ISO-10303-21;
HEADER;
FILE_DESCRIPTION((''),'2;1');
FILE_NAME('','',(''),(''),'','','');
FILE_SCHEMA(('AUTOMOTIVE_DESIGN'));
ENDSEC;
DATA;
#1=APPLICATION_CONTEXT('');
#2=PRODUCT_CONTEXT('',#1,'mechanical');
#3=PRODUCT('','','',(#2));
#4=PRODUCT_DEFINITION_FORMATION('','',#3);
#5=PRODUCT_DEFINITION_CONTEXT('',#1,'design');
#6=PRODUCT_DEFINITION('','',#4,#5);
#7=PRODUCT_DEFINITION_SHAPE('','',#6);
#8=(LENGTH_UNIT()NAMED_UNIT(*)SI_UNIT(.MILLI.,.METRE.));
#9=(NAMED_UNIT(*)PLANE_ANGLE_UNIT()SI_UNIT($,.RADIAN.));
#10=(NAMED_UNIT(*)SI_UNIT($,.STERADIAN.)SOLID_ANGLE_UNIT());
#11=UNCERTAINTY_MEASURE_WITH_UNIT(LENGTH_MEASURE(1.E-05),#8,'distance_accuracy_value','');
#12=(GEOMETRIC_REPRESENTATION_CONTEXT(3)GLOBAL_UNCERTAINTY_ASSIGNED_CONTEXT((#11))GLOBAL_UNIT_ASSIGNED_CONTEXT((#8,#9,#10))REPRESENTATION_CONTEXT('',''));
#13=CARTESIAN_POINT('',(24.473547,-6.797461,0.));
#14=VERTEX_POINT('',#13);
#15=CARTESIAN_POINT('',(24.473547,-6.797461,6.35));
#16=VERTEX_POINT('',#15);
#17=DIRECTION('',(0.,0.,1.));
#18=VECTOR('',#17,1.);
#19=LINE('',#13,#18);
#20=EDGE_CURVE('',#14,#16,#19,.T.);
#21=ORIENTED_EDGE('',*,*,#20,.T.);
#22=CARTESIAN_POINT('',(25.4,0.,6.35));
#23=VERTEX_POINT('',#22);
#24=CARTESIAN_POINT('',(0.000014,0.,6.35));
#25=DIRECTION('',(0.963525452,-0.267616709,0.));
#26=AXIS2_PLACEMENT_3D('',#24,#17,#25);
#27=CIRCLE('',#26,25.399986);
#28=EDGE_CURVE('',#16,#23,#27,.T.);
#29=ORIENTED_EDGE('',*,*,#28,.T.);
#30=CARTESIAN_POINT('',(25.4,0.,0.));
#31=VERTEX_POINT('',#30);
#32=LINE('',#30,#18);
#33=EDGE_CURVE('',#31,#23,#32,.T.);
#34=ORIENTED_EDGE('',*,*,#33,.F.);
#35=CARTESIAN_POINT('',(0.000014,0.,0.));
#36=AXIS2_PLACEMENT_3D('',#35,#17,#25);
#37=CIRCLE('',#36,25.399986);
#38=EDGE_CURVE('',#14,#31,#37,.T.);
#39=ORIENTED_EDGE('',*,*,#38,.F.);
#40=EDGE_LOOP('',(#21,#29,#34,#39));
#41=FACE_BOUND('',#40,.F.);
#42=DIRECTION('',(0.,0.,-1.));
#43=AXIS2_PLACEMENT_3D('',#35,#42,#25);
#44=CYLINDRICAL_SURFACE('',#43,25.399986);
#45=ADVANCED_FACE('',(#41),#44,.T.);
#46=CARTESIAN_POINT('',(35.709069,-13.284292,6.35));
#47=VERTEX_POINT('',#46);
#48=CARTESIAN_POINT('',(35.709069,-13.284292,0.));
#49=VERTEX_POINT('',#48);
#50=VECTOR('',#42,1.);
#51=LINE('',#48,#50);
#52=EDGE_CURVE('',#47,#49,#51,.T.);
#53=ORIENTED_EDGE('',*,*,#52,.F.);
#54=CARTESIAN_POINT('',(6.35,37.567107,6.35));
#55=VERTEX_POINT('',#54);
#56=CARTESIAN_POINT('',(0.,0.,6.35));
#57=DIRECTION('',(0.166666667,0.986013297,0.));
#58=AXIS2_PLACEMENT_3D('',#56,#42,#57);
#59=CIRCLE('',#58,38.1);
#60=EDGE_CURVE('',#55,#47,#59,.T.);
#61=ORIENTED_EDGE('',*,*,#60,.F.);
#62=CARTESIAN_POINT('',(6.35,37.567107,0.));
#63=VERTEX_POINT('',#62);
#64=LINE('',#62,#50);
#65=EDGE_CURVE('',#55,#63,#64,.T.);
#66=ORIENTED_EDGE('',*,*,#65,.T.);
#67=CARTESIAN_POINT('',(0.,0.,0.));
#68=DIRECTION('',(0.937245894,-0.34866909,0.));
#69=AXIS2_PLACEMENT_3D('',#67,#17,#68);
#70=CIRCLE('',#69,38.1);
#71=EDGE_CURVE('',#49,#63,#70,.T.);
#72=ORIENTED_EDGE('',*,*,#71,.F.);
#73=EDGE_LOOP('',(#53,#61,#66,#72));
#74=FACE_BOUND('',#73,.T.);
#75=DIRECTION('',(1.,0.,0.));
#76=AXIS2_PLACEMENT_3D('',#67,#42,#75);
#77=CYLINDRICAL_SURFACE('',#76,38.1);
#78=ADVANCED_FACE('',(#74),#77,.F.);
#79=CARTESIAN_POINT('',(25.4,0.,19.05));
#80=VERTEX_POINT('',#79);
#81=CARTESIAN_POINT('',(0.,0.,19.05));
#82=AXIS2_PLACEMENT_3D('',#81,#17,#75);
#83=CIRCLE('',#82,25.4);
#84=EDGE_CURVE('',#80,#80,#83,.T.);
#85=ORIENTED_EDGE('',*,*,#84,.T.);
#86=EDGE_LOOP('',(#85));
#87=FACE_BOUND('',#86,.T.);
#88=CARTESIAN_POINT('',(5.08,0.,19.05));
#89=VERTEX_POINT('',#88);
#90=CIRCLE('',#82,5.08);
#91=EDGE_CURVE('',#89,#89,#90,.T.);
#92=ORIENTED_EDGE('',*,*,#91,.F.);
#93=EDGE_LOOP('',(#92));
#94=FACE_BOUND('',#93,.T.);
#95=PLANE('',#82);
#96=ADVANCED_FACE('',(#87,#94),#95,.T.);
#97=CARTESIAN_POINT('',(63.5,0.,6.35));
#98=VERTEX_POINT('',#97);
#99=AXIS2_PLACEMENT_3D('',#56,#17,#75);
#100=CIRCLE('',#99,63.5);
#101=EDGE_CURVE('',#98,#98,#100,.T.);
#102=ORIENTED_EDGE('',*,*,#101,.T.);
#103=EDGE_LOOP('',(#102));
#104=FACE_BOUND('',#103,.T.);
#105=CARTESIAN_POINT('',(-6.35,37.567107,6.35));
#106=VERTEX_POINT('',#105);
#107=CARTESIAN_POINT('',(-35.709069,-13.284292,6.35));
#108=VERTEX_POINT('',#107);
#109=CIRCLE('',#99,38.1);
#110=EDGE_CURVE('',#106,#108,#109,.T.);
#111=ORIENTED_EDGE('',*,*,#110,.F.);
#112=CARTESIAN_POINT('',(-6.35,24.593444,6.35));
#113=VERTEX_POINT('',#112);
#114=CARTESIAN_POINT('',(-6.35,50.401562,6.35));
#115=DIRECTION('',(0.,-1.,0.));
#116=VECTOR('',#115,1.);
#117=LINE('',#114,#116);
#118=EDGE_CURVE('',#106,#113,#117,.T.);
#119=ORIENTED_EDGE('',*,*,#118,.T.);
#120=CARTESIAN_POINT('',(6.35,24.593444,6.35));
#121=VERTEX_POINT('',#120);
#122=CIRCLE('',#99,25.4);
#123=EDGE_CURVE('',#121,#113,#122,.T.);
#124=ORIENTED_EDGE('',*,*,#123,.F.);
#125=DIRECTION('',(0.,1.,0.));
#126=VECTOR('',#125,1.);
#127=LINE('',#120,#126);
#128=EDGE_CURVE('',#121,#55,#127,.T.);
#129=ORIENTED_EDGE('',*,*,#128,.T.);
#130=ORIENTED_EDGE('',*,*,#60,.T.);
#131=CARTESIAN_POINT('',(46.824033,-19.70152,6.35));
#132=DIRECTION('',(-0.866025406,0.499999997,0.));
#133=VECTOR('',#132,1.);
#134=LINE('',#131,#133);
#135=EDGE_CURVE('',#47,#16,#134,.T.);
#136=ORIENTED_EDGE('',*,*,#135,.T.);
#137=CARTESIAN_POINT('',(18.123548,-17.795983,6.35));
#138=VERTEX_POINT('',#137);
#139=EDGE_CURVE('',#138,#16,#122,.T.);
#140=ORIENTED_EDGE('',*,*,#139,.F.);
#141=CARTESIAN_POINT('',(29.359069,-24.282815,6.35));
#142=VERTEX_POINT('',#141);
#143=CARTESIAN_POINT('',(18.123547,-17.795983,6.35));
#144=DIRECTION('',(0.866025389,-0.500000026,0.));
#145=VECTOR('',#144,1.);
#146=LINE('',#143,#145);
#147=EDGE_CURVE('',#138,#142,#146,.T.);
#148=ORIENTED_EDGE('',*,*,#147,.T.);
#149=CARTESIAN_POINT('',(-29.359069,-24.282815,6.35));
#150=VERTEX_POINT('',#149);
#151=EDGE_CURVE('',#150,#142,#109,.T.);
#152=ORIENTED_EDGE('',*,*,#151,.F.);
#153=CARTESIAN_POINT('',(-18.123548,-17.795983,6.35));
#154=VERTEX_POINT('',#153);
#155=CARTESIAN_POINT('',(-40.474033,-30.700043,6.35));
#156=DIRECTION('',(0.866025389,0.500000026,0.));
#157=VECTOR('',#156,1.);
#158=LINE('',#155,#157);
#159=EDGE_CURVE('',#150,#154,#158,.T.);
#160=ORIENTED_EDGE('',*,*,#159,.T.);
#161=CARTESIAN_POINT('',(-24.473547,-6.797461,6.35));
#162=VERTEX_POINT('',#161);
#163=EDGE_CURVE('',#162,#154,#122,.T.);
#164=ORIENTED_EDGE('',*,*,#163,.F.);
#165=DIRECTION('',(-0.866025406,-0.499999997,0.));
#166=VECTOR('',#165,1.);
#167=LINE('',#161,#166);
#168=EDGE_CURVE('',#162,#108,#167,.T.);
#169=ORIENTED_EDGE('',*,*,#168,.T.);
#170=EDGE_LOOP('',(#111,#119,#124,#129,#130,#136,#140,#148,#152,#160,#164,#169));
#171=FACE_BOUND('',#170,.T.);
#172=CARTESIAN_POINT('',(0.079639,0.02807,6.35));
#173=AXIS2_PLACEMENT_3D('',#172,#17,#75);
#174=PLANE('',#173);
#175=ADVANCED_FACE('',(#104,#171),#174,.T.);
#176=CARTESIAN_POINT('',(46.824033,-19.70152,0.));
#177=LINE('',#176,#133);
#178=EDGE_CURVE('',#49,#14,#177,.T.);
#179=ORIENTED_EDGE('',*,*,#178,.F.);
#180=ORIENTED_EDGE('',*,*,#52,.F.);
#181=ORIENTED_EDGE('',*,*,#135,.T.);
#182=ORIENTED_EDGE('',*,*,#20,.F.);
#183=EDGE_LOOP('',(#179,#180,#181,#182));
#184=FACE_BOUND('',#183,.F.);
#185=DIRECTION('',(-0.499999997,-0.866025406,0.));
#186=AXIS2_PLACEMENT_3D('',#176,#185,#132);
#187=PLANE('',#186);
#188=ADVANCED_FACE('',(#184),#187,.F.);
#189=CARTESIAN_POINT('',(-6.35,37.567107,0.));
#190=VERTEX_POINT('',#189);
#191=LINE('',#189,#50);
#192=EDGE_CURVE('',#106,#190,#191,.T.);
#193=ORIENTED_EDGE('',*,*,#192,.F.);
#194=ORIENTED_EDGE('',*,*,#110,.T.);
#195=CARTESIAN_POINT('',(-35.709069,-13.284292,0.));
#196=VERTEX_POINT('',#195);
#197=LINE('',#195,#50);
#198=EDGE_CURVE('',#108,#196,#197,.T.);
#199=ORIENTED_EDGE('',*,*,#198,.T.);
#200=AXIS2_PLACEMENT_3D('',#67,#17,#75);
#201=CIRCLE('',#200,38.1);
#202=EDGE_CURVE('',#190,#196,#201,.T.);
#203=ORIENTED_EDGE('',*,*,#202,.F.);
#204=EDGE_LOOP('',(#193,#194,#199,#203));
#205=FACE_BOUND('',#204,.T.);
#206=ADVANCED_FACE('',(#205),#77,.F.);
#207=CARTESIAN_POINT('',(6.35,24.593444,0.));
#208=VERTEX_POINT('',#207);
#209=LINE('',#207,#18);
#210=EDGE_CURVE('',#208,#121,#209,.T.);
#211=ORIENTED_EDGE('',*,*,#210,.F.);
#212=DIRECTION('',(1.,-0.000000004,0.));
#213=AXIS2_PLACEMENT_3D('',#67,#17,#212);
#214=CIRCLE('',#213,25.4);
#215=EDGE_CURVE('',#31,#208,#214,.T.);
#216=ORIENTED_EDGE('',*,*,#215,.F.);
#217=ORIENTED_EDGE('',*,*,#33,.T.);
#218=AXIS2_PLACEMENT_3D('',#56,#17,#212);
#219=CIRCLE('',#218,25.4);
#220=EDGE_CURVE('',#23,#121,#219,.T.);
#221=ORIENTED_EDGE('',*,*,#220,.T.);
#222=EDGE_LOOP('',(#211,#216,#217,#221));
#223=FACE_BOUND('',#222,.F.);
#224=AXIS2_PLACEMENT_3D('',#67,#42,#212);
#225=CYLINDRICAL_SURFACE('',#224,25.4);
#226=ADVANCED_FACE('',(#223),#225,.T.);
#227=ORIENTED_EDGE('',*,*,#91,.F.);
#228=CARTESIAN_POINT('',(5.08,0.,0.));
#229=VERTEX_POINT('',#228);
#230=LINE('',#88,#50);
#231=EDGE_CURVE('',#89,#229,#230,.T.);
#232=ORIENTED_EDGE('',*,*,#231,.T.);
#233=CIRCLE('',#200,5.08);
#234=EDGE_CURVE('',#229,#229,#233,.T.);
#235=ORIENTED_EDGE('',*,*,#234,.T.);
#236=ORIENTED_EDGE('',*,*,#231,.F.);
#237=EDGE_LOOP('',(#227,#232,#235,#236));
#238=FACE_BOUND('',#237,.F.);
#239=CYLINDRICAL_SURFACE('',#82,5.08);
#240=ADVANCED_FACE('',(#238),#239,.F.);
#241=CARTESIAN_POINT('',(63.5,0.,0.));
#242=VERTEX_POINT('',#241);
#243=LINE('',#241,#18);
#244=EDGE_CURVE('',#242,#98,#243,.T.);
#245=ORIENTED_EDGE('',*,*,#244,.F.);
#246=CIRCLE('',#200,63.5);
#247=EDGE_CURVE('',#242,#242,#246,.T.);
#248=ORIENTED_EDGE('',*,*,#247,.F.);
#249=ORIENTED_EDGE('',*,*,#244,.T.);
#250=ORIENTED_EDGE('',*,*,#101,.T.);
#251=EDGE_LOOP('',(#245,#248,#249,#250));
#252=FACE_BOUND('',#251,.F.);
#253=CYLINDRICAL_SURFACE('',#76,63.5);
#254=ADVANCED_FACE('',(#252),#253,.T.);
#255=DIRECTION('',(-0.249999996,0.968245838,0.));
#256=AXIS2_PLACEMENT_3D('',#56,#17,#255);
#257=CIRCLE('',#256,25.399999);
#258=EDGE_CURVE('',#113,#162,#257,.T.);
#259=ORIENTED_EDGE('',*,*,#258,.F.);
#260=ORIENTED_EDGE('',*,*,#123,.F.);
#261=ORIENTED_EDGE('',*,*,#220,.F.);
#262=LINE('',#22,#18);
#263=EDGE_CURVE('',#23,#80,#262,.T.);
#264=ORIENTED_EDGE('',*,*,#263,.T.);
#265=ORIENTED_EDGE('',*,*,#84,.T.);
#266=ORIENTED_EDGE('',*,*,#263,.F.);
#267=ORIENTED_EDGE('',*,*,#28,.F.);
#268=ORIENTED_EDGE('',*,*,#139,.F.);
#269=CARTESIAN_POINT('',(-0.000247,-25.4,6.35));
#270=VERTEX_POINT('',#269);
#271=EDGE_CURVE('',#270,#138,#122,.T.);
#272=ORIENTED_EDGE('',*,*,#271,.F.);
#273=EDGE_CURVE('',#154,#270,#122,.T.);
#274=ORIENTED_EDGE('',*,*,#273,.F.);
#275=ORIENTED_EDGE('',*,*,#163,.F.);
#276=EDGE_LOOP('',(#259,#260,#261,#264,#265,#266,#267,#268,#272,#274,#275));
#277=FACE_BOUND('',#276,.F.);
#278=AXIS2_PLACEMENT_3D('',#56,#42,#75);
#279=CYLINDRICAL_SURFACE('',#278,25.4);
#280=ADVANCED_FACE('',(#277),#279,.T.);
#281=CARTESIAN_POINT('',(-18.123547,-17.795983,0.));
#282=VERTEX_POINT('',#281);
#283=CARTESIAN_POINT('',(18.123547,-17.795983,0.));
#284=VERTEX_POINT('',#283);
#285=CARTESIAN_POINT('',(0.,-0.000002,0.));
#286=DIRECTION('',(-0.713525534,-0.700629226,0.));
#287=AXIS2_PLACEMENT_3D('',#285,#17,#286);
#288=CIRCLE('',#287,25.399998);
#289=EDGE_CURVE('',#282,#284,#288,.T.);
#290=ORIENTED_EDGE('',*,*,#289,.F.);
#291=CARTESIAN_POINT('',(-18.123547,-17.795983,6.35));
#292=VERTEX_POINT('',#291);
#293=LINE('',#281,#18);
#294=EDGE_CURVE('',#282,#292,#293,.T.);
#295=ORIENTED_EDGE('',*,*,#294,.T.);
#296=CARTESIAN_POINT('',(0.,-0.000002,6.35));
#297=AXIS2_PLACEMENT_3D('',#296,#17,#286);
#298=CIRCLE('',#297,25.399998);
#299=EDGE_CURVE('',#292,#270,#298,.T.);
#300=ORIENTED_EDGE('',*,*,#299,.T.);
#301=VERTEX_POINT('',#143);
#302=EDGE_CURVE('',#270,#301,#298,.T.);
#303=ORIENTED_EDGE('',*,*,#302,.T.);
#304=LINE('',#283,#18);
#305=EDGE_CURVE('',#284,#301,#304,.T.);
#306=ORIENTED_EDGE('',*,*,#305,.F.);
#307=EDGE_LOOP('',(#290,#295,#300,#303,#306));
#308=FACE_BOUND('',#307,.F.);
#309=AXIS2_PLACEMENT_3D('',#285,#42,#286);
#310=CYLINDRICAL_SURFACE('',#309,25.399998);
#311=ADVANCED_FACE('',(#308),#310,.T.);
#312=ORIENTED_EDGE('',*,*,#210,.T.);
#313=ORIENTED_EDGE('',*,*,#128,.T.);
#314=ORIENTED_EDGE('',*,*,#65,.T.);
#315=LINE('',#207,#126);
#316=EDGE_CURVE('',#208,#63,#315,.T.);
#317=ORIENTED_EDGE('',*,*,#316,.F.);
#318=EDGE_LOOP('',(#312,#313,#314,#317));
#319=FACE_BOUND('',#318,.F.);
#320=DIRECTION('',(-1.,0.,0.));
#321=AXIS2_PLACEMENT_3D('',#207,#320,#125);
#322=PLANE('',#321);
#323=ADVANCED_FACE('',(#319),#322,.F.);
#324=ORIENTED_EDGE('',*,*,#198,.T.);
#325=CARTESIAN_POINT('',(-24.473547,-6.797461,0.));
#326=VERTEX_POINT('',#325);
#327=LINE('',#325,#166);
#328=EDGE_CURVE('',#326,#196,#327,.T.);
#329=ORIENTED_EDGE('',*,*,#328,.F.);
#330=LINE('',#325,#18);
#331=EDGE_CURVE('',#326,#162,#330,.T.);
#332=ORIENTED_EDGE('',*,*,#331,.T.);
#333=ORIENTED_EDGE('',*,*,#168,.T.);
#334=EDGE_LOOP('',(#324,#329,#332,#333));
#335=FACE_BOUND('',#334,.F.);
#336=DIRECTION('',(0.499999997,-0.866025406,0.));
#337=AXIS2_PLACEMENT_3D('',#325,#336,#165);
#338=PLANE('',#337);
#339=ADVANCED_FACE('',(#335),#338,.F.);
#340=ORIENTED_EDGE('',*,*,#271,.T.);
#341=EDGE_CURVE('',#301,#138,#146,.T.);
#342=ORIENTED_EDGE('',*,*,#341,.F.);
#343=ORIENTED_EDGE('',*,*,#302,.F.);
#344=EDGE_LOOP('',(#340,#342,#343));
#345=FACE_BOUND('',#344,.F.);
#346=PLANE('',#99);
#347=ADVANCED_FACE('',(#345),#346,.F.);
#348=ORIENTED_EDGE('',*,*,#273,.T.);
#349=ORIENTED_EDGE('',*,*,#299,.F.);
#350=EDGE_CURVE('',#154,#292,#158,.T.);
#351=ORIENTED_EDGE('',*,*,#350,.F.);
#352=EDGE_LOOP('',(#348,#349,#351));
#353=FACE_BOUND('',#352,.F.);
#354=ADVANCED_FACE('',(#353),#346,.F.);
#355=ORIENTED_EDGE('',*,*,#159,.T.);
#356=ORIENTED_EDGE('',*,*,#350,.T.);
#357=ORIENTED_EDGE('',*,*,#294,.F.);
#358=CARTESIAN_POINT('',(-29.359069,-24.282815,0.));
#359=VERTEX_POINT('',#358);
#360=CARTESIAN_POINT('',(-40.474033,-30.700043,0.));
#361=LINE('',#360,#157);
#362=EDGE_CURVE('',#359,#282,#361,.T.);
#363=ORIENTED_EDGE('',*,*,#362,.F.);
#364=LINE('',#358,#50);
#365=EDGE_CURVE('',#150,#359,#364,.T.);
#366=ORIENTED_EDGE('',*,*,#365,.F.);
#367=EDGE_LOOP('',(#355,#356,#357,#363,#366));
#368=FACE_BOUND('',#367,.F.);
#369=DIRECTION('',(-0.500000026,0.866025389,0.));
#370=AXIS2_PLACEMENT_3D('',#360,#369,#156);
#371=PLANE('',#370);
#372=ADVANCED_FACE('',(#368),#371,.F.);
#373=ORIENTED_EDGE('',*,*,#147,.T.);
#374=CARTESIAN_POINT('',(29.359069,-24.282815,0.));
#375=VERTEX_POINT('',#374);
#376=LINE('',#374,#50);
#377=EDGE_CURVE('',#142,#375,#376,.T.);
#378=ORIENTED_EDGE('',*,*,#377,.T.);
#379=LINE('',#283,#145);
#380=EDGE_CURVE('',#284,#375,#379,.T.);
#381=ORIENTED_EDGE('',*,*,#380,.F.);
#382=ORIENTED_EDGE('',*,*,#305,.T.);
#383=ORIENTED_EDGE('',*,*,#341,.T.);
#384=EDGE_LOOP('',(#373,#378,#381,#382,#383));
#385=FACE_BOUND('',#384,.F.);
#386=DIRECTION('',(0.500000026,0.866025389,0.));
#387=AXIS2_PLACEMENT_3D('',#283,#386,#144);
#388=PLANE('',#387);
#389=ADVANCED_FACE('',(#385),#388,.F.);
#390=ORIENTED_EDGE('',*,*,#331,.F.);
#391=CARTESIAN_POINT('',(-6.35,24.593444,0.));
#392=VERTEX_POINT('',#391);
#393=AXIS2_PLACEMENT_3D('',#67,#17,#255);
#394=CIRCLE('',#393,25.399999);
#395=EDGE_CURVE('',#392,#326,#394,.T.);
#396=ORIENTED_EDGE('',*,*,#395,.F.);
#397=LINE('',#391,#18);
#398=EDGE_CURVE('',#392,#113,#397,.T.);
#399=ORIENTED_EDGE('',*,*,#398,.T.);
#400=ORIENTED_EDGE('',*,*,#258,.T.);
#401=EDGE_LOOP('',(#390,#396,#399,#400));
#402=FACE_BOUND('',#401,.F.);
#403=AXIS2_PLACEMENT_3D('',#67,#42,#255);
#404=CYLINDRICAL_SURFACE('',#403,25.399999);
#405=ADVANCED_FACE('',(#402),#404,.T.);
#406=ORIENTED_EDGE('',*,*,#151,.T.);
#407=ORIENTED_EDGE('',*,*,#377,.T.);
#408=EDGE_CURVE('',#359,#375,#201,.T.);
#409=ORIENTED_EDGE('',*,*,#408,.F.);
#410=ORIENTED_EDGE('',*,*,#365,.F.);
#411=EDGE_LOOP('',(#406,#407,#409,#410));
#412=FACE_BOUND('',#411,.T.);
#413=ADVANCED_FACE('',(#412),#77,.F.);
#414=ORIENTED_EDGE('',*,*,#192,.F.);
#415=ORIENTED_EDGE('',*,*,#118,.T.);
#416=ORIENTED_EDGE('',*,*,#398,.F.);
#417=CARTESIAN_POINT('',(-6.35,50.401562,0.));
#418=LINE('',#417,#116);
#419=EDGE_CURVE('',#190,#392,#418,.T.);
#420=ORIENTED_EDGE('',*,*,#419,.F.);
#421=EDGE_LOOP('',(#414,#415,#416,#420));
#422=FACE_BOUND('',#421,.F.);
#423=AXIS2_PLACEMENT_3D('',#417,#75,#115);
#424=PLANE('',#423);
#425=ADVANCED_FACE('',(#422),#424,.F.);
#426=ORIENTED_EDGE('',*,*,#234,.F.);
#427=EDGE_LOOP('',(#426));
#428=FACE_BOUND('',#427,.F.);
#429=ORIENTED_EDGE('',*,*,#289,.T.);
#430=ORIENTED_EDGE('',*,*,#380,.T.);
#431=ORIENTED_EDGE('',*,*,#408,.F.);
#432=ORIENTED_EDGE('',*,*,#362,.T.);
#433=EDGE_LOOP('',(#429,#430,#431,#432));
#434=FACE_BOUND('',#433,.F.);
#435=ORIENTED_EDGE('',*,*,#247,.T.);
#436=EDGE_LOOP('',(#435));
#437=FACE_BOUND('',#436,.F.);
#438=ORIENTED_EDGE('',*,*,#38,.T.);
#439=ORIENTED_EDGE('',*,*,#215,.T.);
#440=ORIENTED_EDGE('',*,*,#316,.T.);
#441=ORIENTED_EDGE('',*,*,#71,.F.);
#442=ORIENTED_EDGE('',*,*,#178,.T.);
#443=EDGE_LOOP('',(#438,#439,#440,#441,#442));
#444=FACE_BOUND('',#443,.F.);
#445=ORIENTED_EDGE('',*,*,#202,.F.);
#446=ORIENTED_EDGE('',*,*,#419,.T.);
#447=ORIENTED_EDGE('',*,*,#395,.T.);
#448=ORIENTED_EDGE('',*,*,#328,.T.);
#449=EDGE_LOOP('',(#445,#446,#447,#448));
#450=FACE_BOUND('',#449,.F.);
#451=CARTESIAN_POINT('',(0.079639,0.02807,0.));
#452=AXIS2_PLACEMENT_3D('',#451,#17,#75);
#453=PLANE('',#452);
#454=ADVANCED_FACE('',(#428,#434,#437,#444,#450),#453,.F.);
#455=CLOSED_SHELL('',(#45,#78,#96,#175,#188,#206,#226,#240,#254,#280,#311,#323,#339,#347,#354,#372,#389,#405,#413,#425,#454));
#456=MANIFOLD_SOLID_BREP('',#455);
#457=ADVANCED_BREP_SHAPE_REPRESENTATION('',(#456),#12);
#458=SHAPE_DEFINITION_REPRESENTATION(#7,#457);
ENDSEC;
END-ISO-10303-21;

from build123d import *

# Parameters (mm, degrees)
F0_R     = 63.5
F0_R_2   = 38.1
F1_DEPTH = 6.35
F4_DEPTH = 6.35
F5_R     = 25.4
F6_DEPTH = 12.7
F7_R     = 5.08
F8_DEPTH = 19.05


with BuildPart() as f1:
    # F0 (on Top) → F1 (new body)
    with BuildSketch(Plane.XY):
        Circle(F0_R)
        Circle(F0_R_2, mode=Mode.SUBTRACT)
    extrude(amount=F1_DEPTH)

    # F2 (on Top) → F4 (join, through all)
    with BuildSketch(Plane.XY):
        with BuildLine():
            ThreePointArc((25.4, 0), (20.080463, 15.55426), (6.35, 24.593444))
            ThreePointArc((6.35, 24.593444), (0, 25.4), (-6.35, 24.593444))
            ThreePointArc((-6.35, 24.593444), (-21.997045, 12.7), (-24.473547, -6.797461))
            ThreePointArc((-24.473547, -6.797461), (-21.997045, -12.7), (-18.123547, -17.795983))
            ThreePointArc((-18.123547, -17.795983), (0, -25.4), (18.123547, -17.795983))
            ThreePointArc((18.123547, -17.795983), (21.997045, -12.7), (24.473547, -6.797461))
            ThreePointArc((24.473547, -6.797461), (25.167321, -3.430153), (25.4, 0))
        make_face()
        with BuildLine():
            Line((-24.473547, -6.797461), (-46.824033, -19.70152))
            ThreePointArc((-46.824033, -19.70152), (-43.994091, -25.4), (-40.474033, -30.700043))
            Line((-40.474033, -30.700043), (-18.123547, -17.795983))
            ThreePointArc((-18.123547, -17.795983), (-21.997045, -12.7), (-24.473547, -6.797461))
        make_face()
        with BuildLine():
            Line((6.35, 24.593444), (6.35, 50.401562))
            ThreePointArc((6.35, 50.401562), (0, 50.8), (-6.35, 50.401562))
            Line((-6.35, 50.401562), (-6.35, 24.593444))
            ThreePointArc((-6.35, 24.593444), (0, 25.4), (6.35, 24.593444))
        make_face()
        with BuildLine():
            ThreePointArc((40.474033, -30.700043), (43.994091, -25.4), (46.824033, -19.70152))
            Line((46.824033, -19.70152), (24.473547, -6.797461))
            ThreePointArc((24.473547, -6.797461), (21.997045, -12.7), (18.123547, -17.795983))
            Line((18.123547, -17.795983), (40.474033, -30.700043))
        make_face()
    extrude(amount=F4_DEPTH)

    # F5 (on face) → F6 (join)
    with BuildSketch(Plane.XY.offset(6.35)):
        Circle(F5_R)
    extrude(amount=F6_DEPTH)

    # F7 (on face) → F8 (cut, through all)
    with BuildSketch(Plane.XY.offset(19.05)):
        Circle(F7_R)
    extrude(amount=-F8_DEPTH, mode=Mode.SUBTRACT)


solid = f1.part
